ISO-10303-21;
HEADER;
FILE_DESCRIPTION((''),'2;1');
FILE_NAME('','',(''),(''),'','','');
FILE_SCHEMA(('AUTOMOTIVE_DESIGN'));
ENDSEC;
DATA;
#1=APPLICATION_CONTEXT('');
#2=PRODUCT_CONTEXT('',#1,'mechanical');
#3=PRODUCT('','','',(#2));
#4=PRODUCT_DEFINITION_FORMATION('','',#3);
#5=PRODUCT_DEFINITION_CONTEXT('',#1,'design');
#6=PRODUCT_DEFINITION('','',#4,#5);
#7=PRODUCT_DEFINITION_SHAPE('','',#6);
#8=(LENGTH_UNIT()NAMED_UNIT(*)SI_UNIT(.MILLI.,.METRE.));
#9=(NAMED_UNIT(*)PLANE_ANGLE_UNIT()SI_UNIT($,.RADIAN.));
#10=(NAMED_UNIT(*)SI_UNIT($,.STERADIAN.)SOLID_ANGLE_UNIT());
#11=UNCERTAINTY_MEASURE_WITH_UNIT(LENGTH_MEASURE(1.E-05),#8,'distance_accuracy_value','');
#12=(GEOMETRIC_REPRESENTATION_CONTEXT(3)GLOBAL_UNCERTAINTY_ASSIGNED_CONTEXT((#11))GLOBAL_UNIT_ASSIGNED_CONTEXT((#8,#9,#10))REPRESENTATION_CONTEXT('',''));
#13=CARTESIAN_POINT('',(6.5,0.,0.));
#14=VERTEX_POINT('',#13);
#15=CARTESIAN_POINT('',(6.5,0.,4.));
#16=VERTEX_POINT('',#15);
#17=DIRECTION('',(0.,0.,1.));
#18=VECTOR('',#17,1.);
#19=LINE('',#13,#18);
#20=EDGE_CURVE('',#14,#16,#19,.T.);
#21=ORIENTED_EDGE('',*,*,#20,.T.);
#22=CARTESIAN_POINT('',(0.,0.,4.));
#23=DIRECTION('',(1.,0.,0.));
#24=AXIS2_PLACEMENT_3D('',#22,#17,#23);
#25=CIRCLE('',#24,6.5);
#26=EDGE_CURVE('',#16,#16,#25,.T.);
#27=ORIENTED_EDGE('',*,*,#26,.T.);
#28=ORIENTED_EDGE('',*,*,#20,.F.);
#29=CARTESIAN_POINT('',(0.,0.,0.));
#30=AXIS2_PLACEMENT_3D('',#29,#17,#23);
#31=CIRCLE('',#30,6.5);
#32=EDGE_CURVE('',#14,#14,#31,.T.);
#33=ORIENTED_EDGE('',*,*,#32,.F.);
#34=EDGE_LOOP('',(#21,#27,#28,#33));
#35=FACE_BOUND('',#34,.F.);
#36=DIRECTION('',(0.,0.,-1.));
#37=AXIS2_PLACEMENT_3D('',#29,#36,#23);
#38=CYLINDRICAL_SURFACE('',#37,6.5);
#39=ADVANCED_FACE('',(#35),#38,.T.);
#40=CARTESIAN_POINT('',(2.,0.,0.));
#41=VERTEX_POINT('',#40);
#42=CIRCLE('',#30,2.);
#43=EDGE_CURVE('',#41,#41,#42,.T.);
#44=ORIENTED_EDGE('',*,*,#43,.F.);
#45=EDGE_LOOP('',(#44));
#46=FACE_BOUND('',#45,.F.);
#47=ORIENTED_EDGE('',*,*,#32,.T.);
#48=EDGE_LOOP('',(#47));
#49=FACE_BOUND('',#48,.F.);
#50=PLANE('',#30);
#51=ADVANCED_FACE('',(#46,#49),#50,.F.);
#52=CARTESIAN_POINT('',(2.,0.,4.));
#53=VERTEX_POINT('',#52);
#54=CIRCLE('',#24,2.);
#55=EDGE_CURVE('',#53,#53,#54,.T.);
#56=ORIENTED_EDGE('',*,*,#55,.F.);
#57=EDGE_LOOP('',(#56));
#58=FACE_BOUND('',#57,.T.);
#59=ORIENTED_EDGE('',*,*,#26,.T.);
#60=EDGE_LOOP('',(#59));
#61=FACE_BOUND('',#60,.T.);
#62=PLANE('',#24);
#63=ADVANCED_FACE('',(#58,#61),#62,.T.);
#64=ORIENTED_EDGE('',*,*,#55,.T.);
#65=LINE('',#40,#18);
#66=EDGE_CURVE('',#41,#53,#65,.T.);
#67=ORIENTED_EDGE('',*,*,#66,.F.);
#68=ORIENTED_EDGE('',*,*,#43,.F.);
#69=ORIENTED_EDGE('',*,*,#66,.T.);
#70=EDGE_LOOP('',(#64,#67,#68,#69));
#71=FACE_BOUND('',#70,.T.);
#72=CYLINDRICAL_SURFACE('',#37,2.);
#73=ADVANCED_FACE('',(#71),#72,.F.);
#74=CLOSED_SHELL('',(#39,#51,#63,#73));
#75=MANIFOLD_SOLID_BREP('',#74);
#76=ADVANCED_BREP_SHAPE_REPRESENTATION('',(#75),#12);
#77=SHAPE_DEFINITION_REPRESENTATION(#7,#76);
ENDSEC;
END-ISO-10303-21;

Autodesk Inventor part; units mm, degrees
ref_plane "YZ Plane" through (0, 0, 0) normal (1, 0, 0) x (0, 1, 0)
ref_plane "XZ Plane" through (0, 0, 0) normal (0, 1, 0) x (-1, 0, 0)
ref_plane "XY Plane" through (0, 0, 0) normal (0, 0, 1) x (1, 0, 0)
sketch "Эскиз1" plane through (0, 0, 0) normal (0, 0, 1) x (1, 0, 0)
  circle A0 centre (0, 0) radius 2
  circle A1 centre (0, 0) radius 6.5
  dimension "d0" = 4
  dimension "d1" = 13
extrude "Выдавливание1" add sketch "Эскиз1" along normal blind 4
properties part number "bering"
